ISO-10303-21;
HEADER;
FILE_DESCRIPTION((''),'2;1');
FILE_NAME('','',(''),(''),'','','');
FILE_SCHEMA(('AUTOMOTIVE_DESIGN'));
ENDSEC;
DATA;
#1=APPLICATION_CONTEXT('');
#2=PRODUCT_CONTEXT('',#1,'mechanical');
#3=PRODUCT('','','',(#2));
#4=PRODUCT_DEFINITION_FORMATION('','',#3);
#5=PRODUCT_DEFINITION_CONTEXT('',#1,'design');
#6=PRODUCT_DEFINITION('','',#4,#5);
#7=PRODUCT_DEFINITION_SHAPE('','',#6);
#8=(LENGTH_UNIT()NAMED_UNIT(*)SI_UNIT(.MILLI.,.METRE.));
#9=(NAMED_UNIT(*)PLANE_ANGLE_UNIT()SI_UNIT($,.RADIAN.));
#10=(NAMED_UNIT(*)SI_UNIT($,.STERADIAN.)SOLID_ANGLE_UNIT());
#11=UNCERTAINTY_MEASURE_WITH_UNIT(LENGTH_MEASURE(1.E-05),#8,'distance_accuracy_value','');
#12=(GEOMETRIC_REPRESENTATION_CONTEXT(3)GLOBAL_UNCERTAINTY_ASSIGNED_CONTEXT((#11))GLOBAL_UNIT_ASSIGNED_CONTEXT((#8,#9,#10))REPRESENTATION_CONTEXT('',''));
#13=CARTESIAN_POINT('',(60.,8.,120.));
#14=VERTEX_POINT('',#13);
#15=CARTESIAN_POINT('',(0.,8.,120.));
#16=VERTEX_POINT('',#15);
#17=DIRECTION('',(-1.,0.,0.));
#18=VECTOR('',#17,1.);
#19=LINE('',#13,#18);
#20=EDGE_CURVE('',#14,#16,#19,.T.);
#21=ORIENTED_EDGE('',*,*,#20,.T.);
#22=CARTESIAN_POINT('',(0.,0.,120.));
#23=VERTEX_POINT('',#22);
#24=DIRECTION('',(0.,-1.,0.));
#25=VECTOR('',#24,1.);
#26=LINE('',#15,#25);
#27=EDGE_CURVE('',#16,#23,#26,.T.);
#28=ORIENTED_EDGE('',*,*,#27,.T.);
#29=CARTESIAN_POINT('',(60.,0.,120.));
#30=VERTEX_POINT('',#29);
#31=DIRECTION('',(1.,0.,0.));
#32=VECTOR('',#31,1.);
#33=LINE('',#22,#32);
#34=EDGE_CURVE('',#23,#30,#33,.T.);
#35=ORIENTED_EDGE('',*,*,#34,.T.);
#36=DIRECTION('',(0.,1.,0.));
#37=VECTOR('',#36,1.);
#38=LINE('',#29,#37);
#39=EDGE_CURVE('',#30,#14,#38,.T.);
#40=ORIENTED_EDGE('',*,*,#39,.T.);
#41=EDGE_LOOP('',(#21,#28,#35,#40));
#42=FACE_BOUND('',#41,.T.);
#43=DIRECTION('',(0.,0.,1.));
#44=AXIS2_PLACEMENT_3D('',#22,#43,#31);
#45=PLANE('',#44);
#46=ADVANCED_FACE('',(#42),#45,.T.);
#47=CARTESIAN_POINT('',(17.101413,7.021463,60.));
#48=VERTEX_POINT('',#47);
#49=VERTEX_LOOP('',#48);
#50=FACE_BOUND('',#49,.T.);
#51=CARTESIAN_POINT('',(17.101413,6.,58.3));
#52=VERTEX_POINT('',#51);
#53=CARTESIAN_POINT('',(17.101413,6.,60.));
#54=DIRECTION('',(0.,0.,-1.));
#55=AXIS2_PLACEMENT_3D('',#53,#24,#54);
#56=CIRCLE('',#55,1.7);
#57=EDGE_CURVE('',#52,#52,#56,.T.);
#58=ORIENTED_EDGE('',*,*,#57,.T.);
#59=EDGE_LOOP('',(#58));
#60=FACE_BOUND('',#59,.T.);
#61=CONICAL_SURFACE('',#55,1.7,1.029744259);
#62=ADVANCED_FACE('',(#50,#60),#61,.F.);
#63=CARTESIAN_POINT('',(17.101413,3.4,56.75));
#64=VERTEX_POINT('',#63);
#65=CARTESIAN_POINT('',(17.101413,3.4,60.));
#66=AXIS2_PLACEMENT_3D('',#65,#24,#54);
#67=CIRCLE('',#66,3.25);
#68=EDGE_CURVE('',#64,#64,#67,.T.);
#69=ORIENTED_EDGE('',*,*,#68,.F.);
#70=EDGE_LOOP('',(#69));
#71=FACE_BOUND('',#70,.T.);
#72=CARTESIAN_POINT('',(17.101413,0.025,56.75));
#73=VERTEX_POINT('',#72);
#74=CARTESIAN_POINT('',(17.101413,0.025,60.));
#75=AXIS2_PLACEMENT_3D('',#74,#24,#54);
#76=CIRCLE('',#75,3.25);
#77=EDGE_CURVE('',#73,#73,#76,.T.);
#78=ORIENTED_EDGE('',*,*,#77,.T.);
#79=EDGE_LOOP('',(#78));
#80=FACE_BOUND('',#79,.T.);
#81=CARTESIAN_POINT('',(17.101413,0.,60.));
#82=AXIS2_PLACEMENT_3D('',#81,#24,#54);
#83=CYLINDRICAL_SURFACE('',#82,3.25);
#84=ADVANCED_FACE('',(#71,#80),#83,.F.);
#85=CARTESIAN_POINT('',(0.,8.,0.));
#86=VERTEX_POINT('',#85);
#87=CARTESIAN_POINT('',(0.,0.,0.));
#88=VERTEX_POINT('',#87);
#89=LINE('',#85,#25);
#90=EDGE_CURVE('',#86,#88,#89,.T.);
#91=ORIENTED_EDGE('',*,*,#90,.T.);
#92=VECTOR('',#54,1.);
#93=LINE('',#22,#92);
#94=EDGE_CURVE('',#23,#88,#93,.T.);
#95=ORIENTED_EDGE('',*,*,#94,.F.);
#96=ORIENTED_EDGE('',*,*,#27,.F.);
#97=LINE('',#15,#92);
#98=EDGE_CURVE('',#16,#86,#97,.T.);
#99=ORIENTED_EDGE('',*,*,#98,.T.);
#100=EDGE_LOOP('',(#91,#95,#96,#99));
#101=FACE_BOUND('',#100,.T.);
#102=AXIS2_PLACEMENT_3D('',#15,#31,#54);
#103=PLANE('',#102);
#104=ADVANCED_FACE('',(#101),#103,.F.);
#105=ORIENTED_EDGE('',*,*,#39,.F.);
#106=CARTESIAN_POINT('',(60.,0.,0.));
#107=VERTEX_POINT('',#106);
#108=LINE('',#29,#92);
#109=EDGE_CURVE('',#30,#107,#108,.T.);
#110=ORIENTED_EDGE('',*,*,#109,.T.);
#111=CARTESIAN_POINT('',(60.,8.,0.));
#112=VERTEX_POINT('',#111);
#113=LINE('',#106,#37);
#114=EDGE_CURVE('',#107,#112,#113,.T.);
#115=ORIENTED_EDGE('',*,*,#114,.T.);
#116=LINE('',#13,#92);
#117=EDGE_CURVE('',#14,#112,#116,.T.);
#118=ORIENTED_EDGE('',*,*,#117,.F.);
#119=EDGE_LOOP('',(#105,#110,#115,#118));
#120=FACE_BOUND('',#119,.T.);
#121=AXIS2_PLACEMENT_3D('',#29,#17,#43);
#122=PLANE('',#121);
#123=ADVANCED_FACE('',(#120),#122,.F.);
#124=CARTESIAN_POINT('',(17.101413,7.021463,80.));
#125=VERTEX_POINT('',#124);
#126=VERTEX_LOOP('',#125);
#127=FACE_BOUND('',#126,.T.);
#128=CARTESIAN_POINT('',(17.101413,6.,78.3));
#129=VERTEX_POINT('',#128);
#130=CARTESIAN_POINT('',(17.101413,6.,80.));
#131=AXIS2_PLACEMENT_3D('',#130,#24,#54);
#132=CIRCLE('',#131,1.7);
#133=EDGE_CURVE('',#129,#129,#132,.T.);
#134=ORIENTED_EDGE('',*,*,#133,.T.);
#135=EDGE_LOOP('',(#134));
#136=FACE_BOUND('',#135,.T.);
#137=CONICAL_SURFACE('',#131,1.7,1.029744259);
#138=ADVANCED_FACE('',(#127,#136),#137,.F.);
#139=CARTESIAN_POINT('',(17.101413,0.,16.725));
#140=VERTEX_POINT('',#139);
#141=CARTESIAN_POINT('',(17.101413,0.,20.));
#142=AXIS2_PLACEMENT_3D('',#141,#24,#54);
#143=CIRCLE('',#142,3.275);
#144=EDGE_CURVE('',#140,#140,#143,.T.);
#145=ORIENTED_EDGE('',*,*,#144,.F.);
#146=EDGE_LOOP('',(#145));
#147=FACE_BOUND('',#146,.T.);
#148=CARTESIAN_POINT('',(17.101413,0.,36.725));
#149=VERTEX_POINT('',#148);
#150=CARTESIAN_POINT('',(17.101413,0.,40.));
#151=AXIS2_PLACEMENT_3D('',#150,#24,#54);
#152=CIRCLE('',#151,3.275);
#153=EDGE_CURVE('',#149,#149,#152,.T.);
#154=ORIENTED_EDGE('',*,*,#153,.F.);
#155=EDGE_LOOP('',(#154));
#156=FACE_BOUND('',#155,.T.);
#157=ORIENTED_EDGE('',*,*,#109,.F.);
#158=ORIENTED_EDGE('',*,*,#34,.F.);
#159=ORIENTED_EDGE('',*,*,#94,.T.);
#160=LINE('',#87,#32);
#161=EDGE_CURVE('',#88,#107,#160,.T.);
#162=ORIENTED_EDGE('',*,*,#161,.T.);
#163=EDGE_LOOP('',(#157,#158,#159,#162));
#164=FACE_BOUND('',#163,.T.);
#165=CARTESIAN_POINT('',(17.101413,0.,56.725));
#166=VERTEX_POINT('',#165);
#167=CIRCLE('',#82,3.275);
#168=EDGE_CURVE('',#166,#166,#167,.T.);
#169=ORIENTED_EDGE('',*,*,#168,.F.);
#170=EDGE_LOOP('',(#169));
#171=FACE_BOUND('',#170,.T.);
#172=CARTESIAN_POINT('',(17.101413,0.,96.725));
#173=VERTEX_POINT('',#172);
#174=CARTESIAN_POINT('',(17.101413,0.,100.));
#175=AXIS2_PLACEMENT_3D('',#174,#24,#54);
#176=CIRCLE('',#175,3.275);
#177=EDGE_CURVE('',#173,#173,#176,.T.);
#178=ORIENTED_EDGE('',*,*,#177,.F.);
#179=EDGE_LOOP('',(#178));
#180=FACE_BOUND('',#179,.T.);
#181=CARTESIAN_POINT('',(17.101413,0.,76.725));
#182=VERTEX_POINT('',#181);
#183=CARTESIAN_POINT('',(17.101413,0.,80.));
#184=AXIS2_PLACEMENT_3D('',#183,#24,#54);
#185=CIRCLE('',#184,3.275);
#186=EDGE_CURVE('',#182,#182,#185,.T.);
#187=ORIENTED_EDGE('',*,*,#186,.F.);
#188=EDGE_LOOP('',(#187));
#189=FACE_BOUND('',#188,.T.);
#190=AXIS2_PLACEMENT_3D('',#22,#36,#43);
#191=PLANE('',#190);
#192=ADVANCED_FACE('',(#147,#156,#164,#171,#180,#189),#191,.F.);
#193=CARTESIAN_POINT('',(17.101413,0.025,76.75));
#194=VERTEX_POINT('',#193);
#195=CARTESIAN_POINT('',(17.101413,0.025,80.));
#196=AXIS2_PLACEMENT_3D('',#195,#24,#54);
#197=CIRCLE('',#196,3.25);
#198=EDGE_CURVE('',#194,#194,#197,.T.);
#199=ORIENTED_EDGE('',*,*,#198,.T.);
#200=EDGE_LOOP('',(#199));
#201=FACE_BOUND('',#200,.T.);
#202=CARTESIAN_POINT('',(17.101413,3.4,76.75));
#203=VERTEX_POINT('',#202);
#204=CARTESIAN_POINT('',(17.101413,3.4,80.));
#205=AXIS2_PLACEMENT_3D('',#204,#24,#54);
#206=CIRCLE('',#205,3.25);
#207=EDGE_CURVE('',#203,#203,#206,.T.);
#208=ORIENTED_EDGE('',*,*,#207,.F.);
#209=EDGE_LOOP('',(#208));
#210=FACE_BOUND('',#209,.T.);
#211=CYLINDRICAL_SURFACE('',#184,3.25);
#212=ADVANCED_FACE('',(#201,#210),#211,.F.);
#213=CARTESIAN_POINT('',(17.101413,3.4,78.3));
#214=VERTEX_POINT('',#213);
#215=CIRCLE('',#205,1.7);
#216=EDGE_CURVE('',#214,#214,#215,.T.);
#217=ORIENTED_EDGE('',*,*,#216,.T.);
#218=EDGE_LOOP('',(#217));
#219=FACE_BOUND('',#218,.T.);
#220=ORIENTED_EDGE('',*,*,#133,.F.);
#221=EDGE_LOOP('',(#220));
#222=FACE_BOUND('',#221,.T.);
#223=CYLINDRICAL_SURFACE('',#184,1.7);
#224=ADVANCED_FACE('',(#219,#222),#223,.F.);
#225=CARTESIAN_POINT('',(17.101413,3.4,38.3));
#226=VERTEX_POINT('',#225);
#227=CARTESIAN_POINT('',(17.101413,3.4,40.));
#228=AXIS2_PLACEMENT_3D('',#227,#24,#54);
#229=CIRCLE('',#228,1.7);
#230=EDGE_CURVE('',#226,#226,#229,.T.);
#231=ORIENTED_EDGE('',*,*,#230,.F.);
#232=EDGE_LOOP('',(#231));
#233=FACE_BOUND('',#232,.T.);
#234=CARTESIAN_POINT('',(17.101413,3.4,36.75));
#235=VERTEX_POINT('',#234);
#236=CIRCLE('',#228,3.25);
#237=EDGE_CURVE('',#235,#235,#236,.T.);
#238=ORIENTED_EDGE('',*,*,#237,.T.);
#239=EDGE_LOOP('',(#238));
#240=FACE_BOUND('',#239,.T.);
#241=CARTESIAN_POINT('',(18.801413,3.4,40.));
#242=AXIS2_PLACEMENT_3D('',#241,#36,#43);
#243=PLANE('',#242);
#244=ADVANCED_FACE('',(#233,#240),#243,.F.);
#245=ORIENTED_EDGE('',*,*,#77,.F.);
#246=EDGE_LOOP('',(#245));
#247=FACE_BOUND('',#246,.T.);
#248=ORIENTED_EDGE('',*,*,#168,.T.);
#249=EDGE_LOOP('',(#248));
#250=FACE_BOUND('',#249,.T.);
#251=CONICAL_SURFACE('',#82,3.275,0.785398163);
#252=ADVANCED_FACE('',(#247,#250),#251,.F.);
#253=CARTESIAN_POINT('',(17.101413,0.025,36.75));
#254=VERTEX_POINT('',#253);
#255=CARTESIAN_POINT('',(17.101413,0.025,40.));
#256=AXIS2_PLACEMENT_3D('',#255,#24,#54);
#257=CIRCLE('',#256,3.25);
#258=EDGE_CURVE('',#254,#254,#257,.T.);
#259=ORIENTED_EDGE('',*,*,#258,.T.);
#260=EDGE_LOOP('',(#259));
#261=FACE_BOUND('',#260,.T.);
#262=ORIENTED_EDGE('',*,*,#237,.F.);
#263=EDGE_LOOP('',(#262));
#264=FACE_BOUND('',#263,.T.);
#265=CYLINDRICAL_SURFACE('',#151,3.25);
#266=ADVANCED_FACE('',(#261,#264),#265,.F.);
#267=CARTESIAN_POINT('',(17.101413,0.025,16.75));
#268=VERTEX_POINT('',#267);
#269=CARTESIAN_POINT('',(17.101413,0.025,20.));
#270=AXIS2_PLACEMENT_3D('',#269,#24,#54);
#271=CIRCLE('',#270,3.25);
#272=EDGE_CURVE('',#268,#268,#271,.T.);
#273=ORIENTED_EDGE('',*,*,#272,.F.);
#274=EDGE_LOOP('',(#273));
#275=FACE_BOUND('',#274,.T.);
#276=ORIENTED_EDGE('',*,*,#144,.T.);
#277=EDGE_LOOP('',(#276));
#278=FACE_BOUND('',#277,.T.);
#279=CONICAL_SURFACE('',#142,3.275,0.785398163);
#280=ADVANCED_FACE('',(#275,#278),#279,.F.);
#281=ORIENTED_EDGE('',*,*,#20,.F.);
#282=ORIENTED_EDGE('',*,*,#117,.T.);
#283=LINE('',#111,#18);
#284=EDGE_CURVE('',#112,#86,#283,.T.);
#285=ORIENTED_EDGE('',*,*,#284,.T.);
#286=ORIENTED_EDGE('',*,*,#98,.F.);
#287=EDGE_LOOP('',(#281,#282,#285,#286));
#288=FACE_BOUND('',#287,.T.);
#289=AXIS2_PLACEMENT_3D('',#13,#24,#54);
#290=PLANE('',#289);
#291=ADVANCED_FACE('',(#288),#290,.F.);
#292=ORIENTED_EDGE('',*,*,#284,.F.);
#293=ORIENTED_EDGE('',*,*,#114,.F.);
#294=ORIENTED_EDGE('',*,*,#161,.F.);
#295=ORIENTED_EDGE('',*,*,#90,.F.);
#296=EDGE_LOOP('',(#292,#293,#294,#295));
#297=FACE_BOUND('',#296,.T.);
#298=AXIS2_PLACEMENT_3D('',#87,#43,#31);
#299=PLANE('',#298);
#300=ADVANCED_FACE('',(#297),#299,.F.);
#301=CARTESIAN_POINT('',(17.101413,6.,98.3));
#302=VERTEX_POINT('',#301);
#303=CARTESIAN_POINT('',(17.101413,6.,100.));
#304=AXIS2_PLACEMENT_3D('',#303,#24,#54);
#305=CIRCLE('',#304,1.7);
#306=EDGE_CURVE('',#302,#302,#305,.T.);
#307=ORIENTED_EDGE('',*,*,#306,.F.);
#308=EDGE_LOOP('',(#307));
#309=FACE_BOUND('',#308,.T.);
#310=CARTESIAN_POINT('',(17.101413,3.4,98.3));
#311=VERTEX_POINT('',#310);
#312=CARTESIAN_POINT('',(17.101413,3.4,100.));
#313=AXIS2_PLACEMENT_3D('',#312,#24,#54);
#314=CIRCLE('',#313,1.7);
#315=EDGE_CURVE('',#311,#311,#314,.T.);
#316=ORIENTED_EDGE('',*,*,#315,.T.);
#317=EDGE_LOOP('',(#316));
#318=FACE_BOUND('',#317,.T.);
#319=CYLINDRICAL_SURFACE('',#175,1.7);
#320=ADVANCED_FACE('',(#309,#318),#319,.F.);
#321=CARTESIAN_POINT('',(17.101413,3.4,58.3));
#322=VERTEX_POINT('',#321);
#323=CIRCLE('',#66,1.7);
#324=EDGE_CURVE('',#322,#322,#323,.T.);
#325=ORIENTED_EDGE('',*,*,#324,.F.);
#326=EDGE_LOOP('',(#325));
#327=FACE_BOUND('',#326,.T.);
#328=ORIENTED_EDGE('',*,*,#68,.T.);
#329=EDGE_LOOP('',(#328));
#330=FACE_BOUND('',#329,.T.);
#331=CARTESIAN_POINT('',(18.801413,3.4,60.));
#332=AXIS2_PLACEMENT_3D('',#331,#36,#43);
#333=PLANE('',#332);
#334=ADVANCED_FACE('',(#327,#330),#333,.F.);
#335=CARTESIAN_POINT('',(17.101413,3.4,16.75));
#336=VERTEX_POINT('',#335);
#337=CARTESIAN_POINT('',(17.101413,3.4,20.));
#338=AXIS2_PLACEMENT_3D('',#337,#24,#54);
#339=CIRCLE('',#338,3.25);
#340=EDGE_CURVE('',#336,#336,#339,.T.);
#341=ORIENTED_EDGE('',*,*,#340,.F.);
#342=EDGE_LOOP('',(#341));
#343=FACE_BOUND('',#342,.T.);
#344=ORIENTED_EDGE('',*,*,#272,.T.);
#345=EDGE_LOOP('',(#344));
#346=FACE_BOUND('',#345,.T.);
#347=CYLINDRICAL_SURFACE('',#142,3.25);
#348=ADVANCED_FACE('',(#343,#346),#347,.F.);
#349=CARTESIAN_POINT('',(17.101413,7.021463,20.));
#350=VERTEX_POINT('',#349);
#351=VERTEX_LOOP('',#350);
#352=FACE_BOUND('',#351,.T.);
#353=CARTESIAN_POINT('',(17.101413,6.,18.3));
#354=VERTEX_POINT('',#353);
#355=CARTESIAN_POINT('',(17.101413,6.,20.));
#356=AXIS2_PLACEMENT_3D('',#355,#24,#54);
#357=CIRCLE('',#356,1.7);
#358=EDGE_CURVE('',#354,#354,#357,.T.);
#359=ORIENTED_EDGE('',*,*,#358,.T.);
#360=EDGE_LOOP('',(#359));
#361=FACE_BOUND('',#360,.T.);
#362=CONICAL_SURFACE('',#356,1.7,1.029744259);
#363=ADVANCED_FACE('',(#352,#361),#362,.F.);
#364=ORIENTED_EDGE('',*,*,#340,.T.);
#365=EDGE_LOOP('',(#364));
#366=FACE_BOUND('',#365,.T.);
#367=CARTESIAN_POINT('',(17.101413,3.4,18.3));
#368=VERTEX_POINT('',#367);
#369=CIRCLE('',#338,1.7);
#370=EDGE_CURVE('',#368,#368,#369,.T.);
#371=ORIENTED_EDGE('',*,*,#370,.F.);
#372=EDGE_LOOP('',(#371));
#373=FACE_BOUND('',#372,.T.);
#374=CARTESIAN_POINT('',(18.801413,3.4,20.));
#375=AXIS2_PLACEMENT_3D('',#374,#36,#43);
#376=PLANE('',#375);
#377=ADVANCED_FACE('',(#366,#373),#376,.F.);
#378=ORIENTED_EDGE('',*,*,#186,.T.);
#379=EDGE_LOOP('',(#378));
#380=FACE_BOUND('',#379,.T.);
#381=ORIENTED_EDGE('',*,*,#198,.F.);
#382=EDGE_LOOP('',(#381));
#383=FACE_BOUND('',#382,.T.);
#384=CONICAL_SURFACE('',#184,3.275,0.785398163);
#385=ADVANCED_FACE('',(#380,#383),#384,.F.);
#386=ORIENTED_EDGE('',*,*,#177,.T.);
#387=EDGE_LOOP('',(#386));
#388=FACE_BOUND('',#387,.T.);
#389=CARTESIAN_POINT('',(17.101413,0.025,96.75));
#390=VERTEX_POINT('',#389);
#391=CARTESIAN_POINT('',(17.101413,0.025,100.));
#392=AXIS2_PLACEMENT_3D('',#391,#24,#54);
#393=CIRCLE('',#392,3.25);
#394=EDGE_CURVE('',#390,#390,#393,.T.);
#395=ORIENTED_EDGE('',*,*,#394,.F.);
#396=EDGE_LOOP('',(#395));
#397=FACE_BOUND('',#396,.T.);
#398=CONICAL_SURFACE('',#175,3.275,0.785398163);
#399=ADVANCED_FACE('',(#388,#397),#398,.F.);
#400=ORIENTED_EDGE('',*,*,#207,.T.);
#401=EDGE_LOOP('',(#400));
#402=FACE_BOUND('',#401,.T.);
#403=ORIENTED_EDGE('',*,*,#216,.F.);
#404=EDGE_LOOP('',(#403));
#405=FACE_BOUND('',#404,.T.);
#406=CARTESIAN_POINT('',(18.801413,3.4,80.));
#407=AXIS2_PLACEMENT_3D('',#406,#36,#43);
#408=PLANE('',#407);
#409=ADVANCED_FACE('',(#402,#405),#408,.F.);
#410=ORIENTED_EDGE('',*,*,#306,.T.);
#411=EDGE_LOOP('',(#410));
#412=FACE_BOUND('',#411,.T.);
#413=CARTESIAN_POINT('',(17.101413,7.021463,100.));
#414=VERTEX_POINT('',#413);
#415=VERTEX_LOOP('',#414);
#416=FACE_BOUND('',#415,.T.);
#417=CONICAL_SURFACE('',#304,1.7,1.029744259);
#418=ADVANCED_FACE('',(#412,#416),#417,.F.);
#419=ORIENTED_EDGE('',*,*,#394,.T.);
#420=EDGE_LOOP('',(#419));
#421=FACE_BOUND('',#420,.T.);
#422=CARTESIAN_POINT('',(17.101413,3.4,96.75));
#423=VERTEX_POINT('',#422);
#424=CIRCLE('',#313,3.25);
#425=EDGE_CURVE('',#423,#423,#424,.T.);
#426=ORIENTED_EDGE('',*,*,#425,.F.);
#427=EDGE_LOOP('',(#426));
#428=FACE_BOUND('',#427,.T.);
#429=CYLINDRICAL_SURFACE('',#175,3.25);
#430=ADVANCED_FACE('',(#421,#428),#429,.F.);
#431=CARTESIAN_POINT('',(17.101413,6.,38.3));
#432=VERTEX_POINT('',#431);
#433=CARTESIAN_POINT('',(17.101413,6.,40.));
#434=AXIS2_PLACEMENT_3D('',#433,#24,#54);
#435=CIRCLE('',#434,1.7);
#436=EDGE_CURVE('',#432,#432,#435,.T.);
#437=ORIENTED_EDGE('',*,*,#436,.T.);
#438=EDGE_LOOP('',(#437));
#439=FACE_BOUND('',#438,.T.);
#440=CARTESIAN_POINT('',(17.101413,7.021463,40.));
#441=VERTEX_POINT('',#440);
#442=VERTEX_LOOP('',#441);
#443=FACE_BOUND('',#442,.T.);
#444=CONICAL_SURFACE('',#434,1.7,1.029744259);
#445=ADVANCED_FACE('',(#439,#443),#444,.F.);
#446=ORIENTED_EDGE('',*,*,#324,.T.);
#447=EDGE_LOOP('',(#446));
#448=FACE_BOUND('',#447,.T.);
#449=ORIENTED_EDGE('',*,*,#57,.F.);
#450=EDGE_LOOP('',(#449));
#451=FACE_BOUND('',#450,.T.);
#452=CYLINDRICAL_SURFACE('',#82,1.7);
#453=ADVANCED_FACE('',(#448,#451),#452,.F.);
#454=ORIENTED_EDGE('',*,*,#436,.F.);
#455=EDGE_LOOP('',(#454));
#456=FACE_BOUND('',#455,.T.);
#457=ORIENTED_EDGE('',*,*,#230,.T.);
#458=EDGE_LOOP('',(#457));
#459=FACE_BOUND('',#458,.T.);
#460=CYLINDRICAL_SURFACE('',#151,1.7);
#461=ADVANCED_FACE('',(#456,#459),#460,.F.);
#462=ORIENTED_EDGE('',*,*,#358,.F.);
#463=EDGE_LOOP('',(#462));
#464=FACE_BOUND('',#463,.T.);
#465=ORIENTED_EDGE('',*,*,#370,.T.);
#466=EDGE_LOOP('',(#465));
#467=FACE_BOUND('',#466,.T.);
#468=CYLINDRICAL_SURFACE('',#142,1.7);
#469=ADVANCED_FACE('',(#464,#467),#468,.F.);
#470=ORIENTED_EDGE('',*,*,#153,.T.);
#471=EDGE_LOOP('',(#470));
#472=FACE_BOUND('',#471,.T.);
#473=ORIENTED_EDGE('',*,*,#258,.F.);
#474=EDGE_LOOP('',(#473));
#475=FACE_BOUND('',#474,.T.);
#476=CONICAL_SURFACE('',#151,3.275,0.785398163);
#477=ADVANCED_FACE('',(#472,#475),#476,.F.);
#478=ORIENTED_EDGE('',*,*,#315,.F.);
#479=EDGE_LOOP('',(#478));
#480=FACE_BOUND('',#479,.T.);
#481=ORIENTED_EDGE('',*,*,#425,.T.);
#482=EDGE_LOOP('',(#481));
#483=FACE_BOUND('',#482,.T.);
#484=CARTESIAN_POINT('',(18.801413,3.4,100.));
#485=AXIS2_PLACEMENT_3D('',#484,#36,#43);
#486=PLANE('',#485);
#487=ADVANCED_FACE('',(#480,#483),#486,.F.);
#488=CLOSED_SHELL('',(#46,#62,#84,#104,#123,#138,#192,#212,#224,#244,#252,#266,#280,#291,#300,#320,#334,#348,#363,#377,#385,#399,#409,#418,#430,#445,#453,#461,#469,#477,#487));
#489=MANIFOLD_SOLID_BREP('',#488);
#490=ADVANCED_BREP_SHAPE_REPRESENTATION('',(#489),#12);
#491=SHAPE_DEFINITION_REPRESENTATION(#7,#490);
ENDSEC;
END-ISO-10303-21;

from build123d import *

# Parameters (mm, degrees)
SKETCH1_W                                    = 60
SKETCH1_H                                    = 8
BOSS_EXTRUDE1_DEPTH                          = 120
CBORE_FOR_M3_HEX_SOCKET_HEAD_CAP_SCR_2_COUNT = 2
CBORE_FOR_M3_HEX_SOCKET_HEAD_CAP_SCR_2_PITCH = 40
CBORE_FOR_M3_HEX_SOCKET_HEAD_CAP_SCR_3_COUNT = 2
CBORE_FOR_M3_HEX_SOCKET_HEAD_CAP_SCR_3_PITCH = 60
CBORE_FOR_M3_HEX_SOCKET_HEAD_CAP_SCR_4_COUNT = 2
CBORE_FOR_M3_HEX_SOCKET_HEAD_CAP_SCR_4_PITCH = 80
CBORE_FOR_M3_HEX_SOCKET_HEAD_CAP_SCR_5_COUNT = 2
CBORE_FOR_M3_HEX_SOCKET_HEAD_CAP_SCR_5_PITCH = 20


with BuildPart() as part:
    # Sketch1 → Boss-Extrude1 (new body)
    with BuildSketch(Plane.XY):
        with Locations((30, 4)):
            Rectangle(SKETCH1_W, SKETCH1_H)
    extrude(amount=BOSS_EXTRUDE1_DEPTH)

    # Sketch4 → CBORE for M3 Hex Socket Head Cap Screw1 (revolve, cut)
    with BuildSketch(Plane(origin=(17.101413203, 0, 100), x_dir=(0, 0, -1), z_dir=(1, 0, 0))):
        Polygon((0, 0), (0, 7.021463052), (1.7, 6), (1.7, 3.4), (3.25, 3.4), (3.25, 0.025), (3.275, 0), align=None)
    cbore_for_m3_hex_socket_head_cap_screw1 = revolve(axis=Axis((17.101413203, -6.35, 100), (0, 1, 0)), mode=Mode.SUBTRACT)

    # CBORE for M3 Hex Socket Head Cap Scr 2: CBORE for M3 Hex Socket Head Cap Screw1 ×2
    with Locations(*[(0, 0, -i * CBORE_FOR_M3_HEX_SOCKET_HEAD_CAP_SCR_2_PITCH) for i in range(1, CBORE_FOR_M3_HEX_SOCKET_HEAD_CAP_SCR_2_COUNT)]):
        add(cbore_for_m3_hex_socket_head_cap_screw1, mode=Mode.SUBTRACT)

    # CBORE for M3 Hex Socket Head Cap Scr 3: CBORE for M3 Hex Socket Head Cap Screw1 ×2
    with Locations(*[(0, 0, -i * CBORE_FOR_M3_HEX_SOCKET_HEAD_CAP_SCR_3_PITCH) for i in range(1, CBORE_FOR_M3_HEX_SOCKET_HEAD_CAP_SCR_3_COUNT)]):
        add(cbore_for_m3_hex_socket_head_cap_screw1, mode=Mode.SUBTRACT)

    # CBORE for M3 Hex Socket Head Cap Scr 4: CBORE for M3 Hex Socket Head Cap Screw1 ×2
    with Locations(*[(0, 0, -i * CBORE_FOR_M3_HEX_SOCKET_HEAD_CAP_SCR_4_PITCH) for i in range(1, CBORE_FOR_M3_HEX_SOCKET_HEAD_CAP_SCR_4_COUNT)]):
        add(cbore_for_m3_hex_socket_head_cap_screw1, mode=Mode.SUBTRACT)

    # CBORE for M3 Hex Socket Head Cap Scr 5: CBORE for M3 Hex Socket Head Cap Screw1 ×2
    with Locations(*[(0, 0, -i * CBORE_FOR_M3_HEX_SOCKET_HEAD_CAP_SCR_5_PITCH) for i in range(1, CBORE_FOR_M3_HEX_SOCKET_HEAD_CAP_SCR_5_COUNT)]):
        add(cbore_for_m3_hex_socket_head_cap_screw1, mode=Mode.SUBTRACT)


solid = part.part
